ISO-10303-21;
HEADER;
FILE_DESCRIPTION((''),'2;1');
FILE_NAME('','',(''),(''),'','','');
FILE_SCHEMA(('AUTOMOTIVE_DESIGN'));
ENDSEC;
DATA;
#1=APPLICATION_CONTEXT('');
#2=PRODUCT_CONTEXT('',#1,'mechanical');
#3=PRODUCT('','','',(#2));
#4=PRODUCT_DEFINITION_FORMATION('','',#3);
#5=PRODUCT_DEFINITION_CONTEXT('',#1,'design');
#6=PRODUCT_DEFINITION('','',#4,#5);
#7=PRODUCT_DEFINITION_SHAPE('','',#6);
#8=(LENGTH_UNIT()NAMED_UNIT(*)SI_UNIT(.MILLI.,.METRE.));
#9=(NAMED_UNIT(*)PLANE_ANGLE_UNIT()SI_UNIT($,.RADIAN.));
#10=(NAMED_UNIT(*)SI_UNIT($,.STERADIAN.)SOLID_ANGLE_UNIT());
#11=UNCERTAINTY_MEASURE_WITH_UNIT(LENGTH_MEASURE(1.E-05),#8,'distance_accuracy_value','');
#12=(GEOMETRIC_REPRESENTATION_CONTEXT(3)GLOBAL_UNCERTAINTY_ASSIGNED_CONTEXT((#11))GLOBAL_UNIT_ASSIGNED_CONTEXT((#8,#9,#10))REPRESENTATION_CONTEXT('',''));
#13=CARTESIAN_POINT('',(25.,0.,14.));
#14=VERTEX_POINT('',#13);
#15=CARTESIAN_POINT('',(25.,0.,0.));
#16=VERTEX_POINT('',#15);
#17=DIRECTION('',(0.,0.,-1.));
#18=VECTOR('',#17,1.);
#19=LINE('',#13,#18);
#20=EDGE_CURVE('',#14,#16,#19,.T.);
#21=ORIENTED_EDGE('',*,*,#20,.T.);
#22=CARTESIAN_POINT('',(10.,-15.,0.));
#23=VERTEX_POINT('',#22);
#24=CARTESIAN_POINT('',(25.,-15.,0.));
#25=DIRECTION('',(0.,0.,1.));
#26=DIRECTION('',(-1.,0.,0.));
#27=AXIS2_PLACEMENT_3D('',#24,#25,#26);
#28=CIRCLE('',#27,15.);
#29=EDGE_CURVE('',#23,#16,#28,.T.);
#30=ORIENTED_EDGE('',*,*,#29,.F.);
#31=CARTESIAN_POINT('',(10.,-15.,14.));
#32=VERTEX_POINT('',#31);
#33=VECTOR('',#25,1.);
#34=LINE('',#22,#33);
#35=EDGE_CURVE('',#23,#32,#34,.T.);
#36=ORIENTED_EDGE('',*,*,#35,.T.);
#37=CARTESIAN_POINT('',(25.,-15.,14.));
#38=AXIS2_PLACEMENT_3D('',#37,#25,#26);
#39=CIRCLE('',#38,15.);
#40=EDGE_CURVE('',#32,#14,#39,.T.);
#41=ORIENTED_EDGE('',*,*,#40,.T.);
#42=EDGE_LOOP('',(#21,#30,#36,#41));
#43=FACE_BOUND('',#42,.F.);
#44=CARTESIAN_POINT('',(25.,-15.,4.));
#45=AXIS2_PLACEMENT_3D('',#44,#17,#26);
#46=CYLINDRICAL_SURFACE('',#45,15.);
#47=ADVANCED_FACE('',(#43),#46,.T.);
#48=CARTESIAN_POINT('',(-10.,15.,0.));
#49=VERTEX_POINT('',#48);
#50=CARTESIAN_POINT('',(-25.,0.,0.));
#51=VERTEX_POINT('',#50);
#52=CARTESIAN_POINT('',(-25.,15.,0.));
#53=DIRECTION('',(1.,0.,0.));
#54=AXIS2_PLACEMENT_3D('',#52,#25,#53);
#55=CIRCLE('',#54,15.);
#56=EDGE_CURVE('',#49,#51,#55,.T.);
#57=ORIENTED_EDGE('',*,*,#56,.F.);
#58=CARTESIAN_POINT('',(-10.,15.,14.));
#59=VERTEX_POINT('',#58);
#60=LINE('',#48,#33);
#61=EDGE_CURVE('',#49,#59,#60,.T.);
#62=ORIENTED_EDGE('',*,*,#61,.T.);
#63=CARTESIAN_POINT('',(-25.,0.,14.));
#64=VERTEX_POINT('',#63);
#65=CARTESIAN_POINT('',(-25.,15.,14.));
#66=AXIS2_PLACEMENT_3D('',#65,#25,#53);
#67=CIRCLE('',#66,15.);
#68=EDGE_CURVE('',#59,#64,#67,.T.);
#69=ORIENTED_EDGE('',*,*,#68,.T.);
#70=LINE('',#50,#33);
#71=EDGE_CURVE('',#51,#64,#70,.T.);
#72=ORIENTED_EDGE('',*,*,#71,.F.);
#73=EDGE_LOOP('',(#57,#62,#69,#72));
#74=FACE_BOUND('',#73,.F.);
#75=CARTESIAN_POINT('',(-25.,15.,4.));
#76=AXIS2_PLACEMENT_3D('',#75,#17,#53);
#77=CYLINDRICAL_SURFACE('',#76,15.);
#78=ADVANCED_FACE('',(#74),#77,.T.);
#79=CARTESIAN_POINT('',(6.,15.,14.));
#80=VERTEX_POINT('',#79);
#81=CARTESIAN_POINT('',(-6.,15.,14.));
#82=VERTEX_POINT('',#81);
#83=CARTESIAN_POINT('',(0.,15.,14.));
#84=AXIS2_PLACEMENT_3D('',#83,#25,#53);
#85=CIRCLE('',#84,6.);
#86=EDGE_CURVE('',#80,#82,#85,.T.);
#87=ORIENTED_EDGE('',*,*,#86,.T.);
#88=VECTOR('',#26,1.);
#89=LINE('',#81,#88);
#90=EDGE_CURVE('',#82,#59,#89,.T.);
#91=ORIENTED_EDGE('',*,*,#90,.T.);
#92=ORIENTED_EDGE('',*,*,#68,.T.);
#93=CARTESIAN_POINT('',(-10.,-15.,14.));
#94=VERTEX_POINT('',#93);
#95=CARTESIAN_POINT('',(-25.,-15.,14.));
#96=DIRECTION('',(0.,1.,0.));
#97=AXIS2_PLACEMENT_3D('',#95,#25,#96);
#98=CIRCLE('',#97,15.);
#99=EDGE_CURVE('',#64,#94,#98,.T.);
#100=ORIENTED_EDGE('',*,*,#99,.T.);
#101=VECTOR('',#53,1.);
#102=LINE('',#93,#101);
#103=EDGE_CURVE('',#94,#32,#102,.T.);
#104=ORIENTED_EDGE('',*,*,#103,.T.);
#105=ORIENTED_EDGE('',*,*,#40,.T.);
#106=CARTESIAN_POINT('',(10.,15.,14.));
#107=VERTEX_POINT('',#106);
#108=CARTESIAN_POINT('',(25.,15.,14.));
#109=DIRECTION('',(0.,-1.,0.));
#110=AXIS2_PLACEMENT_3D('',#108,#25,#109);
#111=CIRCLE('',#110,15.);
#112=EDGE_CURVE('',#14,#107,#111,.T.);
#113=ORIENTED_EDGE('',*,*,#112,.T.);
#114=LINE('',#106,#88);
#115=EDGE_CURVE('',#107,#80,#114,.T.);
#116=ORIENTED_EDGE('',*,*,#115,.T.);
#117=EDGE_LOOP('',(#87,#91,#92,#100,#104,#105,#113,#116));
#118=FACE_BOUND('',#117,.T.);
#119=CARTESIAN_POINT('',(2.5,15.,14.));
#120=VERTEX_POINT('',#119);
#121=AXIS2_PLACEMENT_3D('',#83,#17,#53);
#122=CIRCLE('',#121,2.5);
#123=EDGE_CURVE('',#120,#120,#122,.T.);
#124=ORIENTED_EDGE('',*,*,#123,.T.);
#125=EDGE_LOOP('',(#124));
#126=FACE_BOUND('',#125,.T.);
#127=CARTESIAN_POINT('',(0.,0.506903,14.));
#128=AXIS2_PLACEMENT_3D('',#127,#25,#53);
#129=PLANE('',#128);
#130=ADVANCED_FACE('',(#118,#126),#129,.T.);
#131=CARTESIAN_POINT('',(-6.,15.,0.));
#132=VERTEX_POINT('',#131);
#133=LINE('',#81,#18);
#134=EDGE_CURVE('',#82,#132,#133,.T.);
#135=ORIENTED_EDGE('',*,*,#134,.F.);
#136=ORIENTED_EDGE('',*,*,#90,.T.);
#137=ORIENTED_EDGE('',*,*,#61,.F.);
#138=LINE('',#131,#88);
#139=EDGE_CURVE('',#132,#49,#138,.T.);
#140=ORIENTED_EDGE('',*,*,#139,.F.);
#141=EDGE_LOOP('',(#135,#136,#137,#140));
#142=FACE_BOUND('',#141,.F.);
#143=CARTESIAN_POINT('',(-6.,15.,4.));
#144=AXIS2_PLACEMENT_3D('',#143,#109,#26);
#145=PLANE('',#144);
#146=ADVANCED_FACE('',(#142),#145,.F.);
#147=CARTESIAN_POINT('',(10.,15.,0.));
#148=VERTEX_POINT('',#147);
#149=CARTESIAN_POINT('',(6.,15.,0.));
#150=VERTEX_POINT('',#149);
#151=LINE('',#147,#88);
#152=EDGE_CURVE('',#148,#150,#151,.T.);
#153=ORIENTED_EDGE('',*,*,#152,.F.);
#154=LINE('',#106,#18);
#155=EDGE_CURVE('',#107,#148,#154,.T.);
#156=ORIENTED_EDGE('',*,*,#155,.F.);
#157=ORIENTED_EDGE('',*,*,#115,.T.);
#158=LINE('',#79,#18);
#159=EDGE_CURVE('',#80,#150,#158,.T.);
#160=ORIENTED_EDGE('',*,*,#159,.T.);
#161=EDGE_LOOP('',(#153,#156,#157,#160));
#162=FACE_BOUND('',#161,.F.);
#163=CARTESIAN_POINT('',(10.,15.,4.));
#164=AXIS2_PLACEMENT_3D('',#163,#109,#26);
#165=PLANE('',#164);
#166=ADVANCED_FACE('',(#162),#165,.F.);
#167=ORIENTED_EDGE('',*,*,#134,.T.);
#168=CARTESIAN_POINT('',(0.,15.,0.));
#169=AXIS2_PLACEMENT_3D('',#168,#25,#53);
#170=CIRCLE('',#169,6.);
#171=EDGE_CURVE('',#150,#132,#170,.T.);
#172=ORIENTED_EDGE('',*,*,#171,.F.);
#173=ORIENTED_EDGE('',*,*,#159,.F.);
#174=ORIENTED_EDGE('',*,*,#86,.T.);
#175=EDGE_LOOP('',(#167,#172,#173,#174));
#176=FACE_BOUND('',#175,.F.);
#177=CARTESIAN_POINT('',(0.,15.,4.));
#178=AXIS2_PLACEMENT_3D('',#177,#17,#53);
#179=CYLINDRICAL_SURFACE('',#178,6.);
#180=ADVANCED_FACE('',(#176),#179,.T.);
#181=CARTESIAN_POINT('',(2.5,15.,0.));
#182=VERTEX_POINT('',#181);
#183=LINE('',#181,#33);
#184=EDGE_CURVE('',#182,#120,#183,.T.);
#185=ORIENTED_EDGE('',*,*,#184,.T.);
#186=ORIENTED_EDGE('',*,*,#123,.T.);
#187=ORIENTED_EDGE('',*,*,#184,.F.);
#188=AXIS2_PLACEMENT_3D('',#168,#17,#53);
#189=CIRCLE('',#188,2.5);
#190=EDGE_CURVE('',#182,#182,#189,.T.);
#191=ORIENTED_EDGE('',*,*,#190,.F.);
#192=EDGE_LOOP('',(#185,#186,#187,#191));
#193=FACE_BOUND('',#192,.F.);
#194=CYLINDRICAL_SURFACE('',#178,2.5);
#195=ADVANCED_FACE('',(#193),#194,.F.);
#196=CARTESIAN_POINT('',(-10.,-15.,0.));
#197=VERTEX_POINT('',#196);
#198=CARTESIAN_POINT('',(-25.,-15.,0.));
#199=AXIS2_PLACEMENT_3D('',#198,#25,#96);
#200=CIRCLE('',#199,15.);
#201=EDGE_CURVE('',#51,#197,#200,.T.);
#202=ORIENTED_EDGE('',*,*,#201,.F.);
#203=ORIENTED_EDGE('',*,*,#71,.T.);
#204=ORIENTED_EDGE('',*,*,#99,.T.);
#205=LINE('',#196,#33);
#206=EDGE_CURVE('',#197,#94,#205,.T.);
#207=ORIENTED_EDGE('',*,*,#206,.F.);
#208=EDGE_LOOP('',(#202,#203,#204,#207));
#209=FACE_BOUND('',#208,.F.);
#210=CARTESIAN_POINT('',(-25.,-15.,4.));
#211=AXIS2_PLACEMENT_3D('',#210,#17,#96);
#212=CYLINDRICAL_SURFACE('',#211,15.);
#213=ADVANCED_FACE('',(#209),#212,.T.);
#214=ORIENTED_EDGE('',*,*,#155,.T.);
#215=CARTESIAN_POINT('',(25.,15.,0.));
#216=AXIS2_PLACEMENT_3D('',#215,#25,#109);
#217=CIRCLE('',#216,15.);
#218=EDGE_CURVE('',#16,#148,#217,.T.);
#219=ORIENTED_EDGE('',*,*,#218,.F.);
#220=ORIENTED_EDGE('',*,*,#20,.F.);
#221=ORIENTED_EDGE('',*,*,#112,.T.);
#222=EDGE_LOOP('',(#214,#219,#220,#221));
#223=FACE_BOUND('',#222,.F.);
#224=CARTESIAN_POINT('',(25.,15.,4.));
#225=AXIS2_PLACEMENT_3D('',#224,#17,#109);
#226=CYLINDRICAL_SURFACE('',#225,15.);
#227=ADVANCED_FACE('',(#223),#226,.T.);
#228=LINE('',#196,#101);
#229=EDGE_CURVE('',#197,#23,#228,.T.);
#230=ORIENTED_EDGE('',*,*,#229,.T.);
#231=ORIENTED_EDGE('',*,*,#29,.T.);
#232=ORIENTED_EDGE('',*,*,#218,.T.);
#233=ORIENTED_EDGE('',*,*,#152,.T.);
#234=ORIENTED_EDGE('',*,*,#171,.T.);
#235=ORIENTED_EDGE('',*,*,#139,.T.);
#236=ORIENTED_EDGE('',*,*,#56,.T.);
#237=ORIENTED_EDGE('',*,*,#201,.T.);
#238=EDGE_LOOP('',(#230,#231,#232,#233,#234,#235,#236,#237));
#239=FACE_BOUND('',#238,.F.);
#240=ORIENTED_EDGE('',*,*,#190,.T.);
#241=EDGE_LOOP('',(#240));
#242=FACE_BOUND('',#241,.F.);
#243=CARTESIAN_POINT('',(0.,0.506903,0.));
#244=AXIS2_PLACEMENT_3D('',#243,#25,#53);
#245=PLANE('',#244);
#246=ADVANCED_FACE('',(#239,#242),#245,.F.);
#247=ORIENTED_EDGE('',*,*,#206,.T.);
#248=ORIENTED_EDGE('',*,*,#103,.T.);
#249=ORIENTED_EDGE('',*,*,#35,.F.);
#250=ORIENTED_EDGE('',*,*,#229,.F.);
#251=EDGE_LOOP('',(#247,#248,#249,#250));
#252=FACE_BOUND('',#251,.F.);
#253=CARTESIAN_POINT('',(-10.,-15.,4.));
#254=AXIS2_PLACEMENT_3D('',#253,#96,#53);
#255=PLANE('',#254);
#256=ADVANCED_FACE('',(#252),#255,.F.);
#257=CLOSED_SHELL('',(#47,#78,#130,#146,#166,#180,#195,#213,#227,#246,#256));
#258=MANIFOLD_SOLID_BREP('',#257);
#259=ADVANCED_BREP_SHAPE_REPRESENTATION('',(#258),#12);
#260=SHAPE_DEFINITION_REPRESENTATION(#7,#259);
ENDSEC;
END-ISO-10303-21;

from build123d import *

# Parameters (mm, degrees)
F1_DEPTH = 4
F2_DEPTH = 10


with BuildPart() as f1:
    # F0 (on Top) → F1 (new body)
    with BuildSketch(Plane.XY):
        with BuildLine():
            Line((-6, 15), (-10, 15))
            ThreePointArc((-10, 15), (-35.6066017178, 25.6066017178), (-25, 0))
            ThreePointArc((-25, 0), (-35.6066017178, -25.6066017178), (-10, -15))
            Line((-10, -15), (10, -15))
            ThreePointArc((10, -15), (35.6066017178, -25.6066017178), (25, 0))
            ThreePointArc((25, 0), (35.6066017178, 25.6066017178), (10, 15))
            Line((10, 15), (6, 15))
            ThreePointArc((6, 15), (0, 21), (-6, 15))
        make_face()
        with BuildLine():
            ThreePointArc((-2.5, 15), (0, 17.5), (2.5, 15))
            ThreePointArc((2.5, 15), (0, 12.5), (-2.5, 15))
        make_face(mode=Mode.SUBTRACT)
    extrude(amount=F1_DEPTH)

    # F2 (add): a face of the model
    f2_faces = [f1.faces().sort_by_distance(p)[0] for p in [
        (0, 0.1907608613, 4),
    ]]
    extrude(f2_faces, amount=F2_DEPTH)


solid = f1.part
